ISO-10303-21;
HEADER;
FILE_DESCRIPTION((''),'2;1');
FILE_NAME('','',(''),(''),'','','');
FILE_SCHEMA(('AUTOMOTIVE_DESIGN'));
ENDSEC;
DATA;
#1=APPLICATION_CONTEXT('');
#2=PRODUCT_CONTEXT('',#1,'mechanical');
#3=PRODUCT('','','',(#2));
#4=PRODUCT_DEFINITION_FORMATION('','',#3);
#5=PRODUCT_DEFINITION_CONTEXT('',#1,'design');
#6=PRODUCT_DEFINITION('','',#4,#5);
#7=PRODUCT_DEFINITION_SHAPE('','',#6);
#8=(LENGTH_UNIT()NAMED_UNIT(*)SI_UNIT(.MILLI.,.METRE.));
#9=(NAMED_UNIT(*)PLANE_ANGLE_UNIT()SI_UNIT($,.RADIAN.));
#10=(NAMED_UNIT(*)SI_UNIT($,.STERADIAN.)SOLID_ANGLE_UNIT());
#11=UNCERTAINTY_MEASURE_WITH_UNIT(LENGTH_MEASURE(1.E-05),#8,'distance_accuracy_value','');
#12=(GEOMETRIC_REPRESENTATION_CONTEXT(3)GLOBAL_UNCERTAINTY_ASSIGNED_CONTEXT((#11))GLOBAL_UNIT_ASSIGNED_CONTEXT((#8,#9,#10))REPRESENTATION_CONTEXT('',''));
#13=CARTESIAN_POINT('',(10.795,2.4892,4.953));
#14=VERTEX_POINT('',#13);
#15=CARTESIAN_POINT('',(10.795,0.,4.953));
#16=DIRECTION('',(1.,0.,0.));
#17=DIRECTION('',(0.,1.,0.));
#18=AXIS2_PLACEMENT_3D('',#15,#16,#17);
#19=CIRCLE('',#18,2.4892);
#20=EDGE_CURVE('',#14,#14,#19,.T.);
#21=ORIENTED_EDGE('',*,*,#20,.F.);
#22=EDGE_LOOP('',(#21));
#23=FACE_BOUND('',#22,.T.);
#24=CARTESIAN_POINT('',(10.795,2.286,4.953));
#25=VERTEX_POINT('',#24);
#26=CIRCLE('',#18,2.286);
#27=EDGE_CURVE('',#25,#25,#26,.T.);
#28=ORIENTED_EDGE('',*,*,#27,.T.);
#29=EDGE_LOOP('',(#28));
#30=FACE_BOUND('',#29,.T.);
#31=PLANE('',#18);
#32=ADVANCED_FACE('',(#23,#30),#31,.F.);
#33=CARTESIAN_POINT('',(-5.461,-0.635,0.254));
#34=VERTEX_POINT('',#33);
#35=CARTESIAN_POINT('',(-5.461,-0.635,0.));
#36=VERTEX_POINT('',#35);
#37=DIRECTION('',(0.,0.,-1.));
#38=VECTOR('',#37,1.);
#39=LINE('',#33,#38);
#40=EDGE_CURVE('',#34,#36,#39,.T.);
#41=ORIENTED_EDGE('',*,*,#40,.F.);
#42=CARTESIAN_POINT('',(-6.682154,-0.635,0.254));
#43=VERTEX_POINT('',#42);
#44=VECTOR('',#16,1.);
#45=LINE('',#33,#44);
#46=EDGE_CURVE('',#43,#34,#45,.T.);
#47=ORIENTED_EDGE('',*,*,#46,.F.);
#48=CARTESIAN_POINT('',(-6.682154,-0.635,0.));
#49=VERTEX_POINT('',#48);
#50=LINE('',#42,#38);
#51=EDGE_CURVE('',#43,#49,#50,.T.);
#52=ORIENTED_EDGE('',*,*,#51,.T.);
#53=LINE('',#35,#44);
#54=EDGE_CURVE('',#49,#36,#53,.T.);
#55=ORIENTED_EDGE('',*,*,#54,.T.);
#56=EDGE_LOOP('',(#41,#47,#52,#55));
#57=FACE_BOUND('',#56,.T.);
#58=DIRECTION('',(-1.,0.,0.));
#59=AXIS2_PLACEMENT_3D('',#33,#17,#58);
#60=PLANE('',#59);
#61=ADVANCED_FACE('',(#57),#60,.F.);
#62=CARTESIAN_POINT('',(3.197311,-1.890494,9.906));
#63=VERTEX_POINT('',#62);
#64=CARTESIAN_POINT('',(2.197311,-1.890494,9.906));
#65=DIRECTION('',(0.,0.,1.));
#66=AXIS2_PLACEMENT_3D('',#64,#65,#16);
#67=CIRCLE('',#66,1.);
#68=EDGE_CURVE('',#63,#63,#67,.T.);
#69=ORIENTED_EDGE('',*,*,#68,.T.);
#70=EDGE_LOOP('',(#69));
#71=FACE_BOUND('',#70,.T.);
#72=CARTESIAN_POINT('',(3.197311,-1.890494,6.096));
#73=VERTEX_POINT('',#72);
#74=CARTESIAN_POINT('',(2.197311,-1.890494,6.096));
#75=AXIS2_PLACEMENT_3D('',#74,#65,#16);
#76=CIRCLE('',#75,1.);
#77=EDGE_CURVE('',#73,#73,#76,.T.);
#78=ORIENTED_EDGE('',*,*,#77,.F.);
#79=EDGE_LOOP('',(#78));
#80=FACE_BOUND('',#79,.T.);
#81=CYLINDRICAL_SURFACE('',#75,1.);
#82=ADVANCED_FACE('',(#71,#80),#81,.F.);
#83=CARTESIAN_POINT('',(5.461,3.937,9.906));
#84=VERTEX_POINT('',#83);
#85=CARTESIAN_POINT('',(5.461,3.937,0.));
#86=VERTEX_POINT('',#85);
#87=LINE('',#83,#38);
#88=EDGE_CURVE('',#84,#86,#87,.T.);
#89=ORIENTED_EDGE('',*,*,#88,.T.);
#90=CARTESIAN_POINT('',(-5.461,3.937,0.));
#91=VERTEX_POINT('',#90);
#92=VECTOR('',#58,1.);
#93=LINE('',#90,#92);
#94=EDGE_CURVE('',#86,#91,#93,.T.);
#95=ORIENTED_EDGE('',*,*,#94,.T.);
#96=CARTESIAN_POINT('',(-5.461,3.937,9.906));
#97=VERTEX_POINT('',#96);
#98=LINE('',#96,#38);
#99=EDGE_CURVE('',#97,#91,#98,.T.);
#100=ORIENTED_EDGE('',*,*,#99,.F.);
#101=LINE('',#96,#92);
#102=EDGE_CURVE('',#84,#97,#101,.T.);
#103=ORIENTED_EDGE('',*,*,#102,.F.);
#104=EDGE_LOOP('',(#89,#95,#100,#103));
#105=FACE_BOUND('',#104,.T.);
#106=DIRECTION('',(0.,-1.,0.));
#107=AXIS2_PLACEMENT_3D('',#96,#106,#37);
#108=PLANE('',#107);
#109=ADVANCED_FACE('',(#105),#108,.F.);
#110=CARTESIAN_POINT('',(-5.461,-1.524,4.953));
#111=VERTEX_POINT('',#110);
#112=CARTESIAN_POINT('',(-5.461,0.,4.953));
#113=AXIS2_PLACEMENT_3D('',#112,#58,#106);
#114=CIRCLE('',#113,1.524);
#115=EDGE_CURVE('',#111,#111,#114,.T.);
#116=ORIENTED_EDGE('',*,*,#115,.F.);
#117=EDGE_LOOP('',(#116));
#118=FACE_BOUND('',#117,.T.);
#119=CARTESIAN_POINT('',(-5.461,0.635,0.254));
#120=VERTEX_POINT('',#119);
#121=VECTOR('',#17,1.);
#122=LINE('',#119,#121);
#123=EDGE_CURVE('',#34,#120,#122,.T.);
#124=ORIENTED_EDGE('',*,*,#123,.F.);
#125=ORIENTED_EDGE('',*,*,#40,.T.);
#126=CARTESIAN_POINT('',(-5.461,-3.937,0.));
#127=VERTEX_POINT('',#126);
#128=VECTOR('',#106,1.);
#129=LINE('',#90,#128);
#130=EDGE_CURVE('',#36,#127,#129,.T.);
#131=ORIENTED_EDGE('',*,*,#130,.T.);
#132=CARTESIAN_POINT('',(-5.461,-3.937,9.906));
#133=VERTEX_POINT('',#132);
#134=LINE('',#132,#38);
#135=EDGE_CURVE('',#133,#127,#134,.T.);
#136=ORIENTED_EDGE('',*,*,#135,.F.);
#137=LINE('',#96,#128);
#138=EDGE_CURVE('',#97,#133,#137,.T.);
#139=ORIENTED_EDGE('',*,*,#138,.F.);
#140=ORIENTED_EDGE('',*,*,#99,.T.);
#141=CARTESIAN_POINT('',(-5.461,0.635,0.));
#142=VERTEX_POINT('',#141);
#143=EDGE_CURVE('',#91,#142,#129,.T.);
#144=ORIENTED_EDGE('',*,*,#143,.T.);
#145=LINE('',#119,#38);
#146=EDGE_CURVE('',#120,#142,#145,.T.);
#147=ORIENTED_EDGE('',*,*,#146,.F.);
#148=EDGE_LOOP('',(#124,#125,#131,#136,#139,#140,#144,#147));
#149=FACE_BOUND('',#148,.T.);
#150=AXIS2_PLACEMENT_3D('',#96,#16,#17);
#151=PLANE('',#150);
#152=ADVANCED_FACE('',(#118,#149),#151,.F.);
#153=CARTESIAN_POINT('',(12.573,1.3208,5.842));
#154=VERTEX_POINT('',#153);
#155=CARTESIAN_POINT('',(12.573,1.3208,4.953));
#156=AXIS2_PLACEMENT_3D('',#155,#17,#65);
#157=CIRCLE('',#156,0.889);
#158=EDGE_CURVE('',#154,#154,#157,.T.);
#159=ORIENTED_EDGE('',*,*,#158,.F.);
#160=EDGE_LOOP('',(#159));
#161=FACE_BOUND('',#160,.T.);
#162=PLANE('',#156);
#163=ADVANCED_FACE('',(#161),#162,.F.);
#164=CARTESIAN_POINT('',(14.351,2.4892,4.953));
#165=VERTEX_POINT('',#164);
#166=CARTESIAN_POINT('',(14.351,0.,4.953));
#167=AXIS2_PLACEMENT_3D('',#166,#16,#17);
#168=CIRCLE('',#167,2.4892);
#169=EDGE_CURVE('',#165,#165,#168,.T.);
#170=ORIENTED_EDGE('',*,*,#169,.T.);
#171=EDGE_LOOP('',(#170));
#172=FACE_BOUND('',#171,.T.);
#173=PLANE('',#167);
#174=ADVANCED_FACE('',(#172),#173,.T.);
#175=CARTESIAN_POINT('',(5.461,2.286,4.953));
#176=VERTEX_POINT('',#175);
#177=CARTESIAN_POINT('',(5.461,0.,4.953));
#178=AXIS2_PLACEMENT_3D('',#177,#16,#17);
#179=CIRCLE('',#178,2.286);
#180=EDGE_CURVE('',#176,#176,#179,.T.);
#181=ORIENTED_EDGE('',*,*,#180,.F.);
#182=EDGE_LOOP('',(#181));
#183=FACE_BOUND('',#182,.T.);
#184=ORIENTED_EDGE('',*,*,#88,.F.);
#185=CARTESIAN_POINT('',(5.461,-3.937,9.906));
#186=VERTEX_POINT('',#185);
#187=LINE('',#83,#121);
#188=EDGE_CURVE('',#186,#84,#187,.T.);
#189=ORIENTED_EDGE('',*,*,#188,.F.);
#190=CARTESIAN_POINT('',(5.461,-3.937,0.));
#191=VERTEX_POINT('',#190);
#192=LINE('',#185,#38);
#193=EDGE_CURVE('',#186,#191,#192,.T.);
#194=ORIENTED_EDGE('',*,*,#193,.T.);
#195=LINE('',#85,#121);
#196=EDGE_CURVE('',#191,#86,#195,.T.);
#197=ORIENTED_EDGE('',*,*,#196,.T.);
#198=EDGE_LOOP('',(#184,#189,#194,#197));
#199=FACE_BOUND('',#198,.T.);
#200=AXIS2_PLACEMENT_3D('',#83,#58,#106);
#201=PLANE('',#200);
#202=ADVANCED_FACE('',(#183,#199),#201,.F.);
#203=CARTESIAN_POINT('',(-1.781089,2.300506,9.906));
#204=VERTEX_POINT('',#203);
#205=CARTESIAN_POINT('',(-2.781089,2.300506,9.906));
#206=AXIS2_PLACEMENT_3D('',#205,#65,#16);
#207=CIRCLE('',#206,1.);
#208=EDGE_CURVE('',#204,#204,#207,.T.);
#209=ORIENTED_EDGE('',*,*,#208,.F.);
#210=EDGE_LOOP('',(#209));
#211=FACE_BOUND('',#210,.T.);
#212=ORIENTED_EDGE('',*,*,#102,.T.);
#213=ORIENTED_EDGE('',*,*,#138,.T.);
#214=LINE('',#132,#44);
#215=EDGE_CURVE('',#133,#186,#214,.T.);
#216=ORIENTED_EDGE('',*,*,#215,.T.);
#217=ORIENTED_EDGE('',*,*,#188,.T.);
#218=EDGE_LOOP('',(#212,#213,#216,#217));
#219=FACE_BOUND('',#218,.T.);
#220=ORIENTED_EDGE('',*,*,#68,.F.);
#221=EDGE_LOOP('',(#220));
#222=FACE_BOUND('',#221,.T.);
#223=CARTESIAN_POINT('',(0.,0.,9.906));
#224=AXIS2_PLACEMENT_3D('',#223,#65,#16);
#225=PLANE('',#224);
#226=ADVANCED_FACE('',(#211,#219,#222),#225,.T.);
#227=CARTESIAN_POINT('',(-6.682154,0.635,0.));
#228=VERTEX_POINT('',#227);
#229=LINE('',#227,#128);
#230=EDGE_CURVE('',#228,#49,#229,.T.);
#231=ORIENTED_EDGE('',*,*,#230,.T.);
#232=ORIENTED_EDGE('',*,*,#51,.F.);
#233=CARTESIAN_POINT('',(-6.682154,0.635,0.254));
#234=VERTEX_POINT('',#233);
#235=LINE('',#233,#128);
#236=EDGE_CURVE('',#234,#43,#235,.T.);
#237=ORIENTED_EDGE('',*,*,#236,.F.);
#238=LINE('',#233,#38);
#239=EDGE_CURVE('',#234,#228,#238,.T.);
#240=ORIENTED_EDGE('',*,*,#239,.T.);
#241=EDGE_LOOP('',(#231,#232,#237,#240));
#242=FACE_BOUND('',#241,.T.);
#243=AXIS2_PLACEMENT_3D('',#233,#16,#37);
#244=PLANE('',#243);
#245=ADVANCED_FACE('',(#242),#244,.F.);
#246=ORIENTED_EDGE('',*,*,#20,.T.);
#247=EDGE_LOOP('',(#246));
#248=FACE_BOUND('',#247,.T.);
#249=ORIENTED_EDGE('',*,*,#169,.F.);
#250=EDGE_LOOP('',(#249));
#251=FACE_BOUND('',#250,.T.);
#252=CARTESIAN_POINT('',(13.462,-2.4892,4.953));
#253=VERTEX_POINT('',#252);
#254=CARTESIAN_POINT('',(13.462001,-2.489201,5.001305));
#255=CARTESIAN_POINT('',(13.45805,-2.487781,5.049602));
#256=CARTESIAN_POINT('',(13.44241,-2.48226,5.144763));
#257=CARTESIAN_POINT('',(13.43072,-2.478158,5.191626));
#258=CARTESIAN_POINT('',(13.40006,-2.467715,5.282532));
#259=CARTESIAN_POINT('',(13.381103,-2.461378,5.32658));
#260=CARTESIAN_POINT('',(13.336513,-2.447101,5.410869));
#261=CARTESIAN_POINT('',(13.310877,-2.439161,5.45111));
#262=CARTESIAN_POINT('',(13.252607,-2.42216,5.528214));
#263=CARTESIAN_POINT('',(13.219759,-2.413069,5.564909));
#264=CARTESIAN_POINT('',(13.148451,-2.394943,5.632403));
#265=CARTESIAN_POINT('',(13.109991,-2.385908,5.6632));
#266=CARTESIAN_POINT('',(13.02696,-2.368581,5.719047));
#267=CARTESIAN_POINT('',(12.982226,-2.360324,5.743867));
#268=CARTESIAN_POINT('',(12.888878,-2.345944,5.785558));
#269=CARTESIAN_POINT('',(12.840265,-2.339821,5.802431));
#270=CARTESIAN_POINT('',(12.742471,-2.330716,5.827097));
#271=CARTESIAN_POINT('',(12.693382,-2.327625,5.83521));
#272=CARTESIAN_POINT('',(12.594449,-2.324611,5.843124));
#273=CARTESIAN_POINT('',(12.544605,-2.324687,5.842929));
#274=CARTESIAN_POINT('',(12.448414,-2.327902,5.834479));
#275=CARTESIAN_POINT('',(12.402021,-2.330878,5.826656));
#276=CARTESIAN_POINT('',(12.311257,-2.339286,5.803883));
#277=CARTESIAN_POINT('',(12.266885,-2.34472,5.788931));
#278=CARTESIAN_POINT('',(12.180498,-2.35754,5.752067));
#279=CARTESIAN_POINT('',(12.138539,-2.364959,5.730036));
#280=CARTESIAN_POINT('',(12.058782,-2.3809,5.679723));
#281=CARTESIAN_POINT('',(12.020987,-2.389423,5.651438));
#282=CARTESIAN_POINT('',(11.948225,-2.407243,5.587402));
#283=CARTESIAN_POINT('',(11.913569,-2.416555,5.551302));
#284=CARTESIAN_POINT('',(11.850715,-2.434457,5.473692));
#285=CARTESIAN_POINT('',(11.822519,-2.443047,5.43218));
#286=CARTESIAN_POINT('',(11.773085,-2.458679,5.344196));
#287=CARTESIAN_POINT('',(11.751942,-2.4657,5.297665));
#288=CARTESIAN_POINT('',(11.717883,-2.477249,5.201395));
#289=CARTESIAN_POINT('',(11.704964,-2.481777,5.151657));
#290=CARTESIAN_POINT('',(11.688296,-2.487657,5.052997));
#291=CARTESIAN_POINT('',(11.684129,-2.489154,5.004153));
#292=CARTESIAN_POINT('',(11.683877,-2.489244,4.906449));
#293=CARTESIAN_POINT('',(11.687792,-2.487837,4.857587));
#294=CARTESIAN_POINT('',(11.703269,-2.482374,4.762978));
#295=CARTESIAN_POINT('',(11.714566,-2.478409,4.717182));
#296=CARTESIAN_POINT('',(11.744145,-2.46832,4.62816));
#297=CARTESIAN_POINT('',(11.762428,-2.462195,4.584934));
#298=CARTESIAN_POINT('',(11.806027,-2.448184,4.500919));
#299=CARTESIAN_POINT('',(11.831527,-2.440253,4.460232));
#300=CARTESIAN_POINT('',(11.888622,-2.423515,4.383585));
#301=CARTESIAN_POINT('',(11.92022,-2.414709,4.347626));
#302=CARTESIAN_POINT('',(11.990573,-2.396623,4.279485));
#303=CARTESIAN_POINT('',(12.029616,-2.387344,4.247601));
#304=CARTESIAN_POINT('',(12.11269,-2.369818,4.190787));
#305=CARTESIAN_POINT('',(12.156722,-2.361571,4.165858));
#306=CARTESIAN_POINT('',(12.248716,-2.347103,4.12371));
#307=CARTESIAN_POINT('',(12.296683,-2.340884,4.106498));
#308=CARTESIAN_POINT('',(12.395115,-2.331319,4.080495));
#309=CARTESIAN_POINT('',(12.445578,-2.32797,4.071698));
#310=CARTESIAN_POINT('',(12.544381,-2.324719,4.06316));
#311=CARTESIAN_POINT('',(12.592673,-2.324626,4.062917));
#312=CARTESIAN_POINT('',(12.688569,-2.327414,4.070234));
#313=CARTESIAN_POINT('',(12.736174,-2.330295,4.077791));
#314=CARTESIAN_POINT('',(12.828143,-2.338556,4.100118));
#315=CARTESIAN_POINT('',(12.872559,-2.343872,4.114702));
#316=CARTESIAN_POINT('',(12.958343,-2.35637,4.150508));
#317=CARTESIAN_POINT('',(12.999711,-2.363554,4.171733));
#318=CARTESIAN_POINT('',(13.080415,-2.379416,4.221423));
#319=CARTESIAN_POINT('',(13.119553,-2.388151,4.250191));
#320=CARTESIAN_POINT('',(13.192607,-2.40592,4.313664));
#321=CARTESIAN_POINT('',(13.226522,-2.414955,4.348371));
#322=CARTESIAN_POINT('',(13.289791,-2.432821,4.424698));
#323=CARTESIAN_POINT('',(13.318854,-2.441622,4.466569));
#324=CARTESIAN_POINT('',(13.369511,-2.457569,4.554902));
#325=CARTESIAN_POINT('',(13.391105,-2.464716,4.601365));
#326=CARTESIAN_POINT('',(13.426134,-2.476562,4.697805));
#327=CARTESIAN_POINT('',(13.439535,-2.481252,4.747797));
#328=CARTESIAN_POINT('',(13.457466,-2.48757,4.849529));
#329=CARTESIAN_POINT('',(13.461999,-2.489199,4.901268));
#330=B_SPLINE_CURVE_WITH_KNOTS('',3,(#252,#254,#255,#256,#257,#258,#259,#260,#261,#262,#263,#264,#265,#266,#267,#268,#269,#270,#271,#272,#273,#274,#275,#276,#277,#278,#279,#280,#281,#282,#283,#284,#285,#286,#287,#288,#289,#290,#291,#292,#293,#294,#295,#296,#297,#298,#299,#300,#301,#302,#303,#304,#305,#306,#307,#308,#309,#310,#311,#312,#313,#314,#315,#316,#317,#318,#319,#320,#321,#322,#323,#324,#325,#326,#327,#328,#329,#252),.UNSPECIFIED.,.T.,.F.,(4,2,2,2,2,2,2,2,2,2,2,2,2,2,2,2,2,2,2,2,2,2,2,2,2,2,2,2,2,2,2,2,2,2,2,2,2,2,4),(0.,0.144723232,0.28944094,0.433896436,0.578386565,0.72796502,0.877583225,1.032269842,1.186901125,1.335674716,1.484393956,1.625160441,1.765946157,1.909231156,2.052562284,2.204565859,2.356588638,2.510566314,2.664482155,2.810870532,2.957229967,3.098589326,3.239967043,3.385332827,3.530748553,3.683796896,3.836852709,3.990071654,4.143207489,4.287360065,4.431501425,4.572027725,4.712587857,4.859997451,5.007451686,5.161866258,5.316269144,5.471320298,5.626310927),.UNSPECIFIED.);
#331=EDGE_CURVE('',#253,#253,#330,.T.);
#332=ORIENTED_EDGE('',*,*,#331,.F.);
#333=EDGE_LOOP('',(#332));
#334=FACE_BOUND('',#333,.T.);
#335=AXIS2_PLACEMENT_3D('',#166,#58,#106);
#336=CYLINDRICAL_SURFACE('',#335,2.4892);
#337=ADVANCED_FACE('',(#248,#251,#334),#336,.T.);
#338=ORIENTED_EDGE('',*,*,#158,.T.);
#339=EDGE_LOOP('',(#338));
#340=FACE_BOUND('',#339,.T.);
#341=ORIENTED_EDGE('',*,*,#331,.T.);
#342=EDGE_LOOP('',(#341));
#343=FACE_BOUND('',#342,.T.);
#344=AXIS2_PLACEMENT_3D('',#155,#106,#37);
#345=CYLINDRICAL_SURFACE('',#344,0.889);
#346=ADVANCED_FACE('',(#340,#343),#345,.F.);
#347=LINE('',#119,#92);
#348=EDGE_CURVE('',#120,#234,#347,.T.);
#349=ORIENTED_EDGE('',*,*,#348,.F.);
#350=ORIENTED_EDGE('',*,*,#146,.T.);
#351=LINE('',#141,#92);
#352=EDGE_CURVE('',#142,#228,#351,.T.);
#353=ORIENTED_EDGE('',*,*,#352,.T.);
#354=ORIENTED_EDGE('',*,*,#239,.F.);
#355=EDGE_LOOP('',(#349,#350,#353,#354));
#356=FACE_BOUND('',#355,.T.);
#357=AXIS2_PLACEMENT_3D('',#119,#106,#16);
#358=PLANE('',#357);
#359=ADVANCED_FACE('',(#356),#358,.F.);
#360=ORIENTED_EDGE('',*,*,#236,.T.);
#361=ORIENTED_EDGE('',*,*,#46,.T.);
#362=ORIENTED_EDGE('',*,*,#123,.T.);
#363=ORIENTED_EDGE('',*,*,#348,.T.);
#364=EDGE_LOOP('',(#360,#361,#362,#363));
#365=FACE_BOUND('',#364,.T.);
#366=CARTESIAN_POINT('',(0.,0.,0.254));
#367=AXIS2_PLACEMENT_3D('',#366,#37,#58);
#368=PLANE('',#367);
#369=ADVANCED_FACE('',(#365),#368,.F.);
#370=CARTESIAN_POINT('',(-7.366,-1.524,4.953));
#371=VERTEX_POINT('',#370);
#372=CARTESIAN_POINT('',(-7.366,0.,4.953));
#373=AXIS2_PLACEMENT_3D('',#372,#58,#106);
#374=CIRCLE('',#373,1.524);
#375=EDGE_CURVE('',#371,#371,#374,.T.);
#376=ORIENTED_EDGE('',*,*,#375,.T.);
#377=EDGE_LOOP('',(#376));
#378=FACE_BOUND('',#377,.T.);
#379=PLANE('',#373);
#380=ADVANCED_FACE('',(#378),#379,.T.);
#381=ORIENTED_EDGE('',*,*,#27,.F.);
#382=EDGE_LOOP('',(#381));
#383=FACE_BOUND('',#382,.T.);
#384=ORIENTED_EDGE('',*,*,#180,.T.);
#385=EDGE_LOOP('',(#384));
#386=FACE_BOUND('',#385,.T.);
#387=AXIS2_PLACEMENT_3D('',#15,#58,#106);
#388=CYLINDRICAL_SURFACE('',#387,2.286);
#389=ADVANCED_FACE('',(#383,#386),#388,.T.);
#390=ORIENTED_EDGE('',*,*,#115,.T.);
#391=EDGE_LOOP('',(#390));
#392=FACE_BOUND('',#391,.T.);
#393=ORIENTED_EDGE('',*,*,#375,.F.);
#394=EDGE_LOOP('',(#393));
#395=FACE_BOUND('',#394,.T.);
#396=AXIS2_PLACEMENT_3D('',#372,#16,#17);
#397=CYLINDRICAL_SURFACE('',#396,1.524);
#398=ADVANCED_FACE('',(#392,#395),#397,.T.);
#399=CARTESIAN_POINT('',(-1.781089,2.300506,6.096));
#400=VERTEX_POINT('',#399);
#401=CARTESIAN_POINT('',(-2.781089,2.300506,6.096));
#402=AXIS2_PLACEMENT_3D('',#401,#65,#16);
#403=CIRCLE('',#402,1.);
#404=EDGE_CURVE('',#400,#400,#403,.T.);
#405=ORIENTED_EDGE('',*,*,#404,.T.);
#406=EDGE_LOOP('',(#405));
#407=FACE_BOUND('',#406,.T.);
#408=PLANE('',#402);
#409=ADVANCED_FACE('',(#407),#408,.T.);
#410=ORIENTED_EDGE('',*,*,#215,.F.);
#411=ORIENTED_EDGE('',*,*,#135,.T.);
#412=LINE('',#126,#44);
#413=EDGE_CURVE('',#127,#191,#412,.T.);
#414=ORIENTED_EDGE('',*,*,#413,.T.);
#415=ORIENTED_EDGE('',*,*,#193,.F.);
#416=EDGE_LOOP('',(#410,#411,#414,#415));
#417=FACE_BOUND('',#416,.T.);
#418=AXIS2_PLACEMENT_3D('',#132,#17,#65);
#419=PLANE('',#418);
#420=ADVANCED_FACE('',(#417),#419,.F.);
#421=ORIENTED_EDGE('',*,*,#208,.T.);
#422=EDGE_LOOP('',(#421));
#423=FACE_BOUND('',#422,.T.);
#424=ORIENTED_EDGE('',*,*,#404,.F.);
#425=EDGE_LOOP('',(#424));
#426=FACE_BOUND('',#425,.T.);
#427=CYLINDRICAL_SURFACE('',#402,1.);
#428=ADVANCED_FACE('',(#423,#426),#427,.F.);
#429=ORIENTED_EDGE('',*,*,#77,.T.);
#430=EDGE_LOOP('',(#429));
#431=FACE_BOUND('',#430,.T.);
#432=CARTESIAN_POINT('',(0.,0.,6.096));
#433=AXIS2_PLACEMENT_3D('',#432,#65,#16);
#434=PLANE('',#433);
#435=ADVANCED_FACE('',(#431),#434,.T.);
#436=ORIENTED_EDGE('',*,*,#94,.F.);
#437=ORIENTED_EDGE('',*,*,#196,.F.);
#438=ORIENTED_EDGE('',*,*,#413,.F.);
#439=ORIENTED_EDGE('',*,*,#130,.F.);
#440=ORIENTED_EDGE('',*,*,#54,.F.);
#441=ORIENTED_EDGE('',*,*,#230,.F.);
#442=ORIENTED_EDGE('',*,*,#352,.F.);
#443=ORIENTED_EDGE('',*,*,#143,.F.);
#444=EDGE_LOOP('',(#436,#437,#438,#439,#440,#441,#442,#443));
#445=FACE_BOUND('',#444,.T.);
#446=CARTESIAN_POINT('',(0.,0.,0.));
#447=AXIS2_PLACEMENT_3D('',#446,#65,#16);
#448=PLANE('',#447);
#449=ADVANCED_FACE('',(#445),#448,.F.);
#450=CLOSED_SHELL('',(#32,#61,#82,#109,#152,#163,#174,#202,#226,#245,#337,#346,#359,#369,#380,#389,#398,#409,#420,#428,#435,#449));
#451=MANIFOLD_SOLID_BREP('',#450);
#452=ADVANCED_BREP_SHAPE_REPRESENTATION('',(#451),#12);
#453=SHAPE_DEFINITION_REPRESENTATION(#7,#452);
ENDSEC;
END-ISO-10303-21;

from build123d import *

# Parameters (mm, degrees)
SKETCH1_W           = 10.922
SKETCH1_H           = 7.874
BOSS_EXTRUDE1_DEPTH = 9.906
SKETCH2_R           = 2.286
BOSS_EXTRUDE2_DEPTH = 5.334
SKETCH3_R           = 2.4892
BOSS_EXTRUDE3_DEPTH = 3.556
SKETCH4_R           = 1.524
BOSS_EXTRUDE4_DEPTH = 1.905
SKETCH5_R           = 1
CUT_EXTRUDE1_DEPTH  = 3.81
SKETCH7_R           = 0.889
CUT_EXTRUDE2_DEPTH  = 3.81
SKETCH8_W           = 1.221154325
SKETCH8_H           = 1.27
BOSS_EXTRUDE5_DEPTH = 0.254


with BuildPart() as part:
    # Sketch1 → Boss-Extrude1 (new body)
    with BuildSketch(Plane.XY):
        Rectangle(SKETCH1_W, SKETCH1_H)
    extrude(amount=BOSS_EXTRUDE1_DEPTH)

    # Sketch2 → Boss-Extrude2 (add)
    with BuildSketch(Plane(origin=(5.461, 0, 0), x_dir=(0, 0, -1), z_dir=(1, 0, 0))):
        with Locations((-4.953, 0)):
            Circle(SKETCH2_R)
    extrude(amount=BOSS_EXTRUDE2_DEPTH)

    # Sketch3 → Boss-Extrude3 (add)
    with BuildSketch(Plane(origin=(10.795, 0, 0), x_dir=(0, 0, -1), z_dir=(1, 0, 0))):
        with Locations((-4.953, 0)):
            Circle(SKETCH3_R)
    extrude(amount=BOSS_EXTRUDE3_DEPTH)

    # Sketch4 → Boss-Extrude4 (add)
    with BuildSketch(Plane.ZY.offset(5.461)):
        with Locations((4.953, 0)):
            Circle(SKETCH4_R)
    extrude(amount=BOSS_EXTRUDE4_DEPTH)

    # Sketch5 → Cut-Extrude1 (cut)
    with BuildSketch(Plane.XY.offset(9.906)):
        with Locations((2.197310811, -1.890493537)):
            Circle(SKETCH5_R)
        with Locations((-2.781089189, 2.300506463)):
            Circle(SKETCH5_R)
    extrude(amount=-CUT_EXTRUDE1_DEPTH, mode=Mode.SUBTRACT)

    # Sketch7 → Cut-Extrude2 (cut)
    with BuildSketch(Plane(origin=(0, -2.4892, 0), x_dir=(1, 0, 0), z_dir=(0, 1, 0))):
        with Locations((12.573, -4.953)):
            Circle(SKETCH7_R)
    extrude(amount=CUT_EXTRUDE2_DEPTH, mode=Mode.SUBTRACT)

    # Sketch8 → Boss-Extrude5 (add)
    with BuildSketch(Plane.XY):
        with Locations((-6.071577163, 0)):
            Rectangle(SKETCH8_W, SKETCH8_H)
    extrude(amount=BOSS_EXTRUDE5_DEPTH)


solid = part.part
